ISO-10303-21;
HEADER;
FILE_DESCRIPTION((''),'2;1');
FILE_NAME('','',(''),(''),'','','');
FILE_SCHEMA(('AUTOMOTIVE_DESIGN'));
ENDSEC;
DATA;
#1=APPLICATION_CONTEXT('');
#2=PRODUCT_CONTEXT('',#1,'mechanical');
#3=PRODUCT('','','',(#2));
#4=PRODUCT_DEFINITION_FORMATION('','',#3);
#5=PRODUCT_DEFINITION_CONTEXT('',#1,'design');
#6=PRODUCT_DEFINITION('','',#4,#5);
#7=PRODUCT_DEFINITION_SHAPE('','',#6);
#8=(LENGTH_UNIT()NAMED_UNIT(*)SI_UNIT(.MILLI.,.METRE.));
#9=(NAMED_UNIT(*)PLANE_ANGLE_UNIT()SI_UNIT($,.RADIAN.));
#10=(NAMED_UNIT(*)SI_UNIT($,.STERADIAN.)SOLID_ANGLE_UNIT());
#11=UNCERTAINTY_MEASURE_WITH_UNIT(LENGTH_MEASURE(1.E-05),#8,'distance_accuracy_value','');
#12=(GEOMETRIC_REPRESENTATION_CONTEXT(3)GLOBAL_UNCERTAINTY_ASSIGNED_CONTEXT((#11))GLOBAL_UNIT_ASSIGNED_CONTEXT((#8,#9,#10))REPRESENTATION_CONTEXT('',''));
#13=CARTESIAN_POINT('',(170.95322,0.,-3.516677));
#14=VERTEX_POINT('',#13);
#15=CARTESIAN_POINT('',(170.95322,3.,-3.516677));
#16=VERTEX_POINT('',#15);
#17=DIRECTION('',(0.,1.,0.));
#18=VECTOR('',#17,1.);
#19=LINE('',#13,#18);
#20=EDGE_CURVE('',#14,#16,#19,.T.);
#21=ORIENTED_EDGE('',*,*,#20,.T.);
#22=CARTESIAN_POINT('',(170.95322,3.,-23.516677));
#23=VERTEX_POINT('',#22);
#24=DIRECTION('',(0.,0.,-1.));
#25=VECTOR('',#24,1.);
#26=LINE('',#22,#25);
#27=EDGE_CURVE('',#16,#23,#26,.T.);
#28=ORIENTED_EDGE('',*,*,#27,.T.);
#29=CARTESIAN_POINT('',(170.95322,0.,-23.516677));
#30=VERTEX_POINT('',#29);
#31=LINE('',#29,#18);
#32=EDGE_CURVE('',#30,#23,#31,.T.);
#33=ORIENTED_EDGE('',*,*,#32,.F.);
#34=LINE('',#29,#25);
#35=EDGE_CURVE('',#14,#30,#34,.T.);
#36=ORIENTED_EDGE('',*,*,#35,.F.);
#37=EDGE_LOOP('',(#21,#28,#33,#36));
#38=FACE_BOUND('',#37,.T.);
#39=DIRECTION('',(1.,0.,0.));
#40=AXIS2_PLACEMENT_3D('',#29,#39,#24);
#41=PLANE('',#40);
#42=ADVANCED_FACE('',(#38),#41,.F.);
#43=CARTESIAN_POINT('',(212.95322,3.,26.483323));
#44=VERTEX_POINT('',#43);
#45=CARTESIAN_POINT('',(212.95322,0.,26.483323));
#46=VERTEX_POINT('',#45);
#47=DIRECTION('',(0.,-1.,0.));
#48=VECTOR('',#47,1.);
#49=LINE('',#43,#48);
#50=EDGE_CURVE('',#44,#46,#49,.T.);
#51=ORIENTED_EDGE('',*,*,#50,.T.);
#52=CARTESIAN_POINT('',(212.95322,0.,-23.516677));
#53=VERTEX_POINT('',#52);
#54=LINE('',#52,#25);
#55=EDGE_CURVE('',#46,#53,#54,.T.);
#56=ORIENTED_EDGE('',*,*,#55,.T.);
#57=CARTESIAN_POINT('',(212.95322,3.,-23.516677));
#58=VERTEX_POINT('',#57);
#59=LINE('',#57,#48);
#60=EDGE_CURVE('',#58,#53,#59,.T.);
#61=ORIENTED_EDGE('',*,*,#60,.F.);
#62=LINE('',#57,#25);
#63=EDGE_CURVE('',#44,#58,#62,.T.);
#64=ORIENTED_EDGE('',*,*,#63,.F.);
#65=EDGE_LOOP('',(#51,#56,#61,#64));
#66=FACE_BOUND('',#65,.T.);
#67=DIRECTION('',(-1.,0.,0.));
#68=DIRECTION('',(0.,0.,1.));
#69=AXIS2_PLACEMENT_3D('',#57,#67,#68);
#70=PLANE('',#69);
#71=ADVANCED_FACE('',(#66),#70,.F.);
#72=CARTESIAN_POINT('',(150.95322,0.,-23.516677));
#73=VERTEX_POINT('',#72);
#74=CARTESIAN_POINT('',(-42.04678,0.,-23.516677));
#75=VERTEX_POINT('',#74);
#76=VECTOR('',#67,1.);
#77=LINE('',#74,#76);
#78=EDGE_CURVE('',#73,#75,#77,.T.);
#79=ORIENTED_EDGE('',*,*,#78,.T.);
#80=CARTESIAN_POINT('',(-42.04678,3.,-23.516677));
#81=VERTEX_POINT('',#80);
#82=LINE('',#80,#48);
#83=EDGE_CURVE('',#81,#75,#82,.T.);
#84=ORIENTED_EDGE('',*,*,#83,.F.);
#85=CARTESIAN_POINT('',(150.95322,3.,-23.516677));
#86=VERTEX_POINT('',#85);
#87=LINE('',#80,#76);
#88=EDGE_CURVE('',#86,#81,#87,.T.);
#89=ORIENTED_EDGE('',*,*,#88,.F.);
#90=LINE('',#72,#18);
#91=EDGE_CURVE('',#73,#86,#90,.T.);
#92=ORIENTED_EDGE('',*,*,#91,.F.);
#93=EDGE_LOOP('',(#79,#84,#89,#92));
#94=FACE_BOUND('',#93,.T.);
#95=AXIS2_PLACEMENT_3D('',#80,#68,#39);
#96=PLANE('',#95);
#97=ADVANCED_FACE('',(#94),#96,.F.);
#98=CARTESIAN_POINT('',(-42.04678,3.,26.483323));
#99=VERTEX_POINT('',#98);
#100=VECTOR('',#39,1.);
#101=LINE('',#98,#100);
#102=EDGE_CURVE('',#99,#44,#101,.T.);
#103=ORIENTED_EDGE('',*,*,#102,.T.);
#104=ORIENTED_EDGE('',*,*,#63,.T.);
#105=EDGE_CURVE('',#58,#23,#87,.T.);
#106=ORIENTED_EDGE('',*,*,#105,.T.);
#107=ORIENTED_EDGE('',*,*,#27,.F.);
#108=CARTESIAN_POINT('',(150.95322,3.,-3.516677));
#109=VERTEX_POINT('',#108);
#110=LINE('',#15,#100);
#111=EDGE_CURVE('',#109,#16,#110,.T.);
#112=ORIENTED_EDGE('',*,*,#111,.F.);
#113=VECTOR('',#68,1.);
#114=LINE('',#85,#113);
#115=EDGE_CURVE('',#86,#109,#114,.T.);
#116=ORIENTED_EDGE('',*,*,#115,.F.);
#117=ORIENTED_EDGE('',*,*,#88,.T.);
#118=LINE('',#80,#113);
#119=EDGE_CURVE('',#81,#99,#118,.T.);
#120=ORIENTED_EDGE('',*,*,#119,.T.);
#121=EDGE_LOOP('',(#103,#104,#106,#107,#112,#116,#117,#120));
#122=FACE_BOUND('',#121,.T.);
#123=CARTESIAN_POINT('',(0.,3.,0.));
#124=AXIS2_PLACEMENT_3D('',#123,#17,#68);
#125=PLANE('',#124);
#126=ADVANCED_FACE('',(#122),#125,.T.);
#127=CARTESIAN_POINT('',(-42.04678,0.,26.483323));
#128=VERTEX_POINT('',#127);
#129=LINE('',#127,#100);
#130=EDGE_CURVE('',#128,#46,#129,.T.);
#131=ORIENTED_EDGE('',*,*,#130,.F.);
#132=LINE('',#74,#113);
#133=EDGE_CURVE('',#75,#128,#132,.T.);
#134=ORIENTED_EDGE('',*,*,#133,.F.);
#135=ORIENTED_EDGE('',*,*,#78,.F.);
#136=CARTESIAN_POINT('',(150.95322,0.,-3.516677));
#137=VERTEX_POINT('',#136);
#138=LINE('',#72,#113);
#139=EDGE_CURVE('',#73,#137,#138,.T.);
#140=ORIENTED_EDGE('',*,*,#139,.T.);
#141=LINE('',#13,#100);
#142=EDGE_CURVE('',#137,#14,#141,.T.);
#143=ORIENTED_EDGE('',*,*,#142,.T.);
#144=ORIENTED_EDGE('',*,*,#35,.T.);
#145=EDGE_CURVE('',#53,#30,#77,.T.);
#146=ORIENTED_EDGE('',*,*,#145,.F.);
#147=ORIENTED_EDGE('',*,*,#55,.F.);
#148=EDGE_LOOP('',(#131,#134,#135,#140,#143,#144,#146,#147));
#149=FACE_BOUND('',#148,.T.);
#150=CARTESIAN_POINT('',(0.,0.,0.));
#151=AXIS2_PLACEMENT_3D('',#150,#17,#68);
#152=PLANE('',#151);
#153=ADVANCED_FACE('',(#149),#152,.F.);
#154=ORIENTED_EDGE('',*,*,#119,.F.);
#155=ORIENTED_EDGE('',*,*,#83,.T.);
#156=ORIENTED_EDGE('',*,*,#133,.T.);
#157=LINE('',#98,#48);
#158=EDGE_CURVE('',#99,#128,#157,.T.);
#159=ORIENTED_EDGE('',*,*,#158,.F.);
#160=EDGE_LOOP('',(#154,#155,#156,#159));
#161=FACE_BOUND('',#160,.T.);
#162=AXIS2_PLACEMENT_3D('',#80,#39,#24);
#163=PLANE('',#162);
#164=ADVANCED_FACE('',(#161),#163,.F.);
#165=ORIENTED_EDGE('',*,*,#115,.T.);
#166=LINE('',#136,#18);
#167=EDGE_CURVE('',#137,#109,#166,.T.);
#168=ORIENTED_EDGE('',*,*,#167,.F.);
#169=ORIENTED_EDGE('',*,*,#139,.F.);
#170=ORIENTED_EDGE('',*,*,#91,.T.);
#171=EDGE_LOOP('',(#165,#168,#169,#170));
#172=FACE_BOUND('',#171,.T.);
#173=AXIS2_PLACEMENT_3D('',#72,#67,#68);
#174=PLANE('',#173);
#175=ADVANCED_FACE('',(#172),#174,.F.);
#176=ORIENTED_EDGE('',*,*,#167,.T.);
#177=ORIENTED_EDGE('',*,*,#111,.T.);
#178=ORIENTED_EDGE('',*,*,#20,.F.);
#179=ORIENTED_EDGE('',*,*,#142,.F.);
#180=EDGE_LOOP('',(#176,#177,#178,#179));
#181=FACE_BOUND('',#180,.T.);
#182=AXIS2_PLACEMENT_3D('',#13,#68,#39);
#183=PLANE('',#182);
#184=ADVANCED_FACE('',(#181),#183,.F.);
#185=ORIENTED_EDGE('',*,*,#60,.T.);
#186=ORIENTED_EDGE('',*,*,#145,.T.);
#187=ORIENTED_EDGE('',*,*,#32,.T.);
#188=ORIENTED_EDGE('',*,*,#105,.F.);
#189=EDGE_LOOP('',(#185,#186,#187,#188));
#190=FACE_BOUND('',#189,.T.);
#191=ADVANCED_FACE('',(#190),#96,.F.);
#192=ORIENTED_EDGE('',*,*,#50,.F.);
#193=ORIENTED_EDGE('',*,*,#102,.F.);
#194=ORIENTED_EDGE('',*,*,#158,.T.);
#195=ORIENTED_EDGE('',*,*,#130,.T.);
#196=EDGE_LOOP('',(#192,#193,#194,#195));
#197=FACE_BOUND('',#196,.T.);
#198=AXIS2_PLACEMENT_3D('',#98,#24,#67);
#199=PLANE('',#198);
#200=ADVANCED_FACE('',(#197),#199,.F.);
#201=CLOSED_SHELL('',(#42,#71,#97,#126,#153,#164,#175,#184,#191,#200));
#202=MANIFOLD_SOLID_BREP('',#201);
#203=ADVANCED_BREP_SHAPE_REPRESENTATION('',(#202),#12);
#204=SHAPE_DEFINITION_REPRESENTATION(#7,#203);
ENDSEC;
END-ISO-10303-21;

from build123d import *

# Parameters (mm, degrees)
SKETCH1_W           = 255
SKETCH1_H           = 50
BOSS_EXTRUDE1_DEPTH = 3
SKETCH2_W           = 20
SKETCH2_H           = 20
CUT_EXTRUDE1_DEPTH  = 3


with BuildPart() as part:
    # Sketch1 → Boss-Extrude1 (new body)
    with BuildSketch(Plane(origin=(0, 0, 0), x_dir=(1, 0, 0), z_dir=(0, 1, 0))):
        with Locations((85.45321959, -1.483322544)):
            Rectangle(SKETCH1_W, SKETCH1_H)
    extrude(amount=BOSS_EXTRUDE1_DEPTH)

    # Sketch2 → Cut-Extrude1 (cut)
    with BuildSketch(Plane(origin=(0, 3, 0), x_dir=(1, 0, 0), z_dir=(0, 1, 0))):
        with Locations((160.95321959, 13.516677456)):
            Rectangle(SKETCH2_W, SKETCH2_H)
    extrude(amount=-CUT_EXTRUDE1_DEPTH, mode=Mode.SUBTRACT)


solid = part.part
